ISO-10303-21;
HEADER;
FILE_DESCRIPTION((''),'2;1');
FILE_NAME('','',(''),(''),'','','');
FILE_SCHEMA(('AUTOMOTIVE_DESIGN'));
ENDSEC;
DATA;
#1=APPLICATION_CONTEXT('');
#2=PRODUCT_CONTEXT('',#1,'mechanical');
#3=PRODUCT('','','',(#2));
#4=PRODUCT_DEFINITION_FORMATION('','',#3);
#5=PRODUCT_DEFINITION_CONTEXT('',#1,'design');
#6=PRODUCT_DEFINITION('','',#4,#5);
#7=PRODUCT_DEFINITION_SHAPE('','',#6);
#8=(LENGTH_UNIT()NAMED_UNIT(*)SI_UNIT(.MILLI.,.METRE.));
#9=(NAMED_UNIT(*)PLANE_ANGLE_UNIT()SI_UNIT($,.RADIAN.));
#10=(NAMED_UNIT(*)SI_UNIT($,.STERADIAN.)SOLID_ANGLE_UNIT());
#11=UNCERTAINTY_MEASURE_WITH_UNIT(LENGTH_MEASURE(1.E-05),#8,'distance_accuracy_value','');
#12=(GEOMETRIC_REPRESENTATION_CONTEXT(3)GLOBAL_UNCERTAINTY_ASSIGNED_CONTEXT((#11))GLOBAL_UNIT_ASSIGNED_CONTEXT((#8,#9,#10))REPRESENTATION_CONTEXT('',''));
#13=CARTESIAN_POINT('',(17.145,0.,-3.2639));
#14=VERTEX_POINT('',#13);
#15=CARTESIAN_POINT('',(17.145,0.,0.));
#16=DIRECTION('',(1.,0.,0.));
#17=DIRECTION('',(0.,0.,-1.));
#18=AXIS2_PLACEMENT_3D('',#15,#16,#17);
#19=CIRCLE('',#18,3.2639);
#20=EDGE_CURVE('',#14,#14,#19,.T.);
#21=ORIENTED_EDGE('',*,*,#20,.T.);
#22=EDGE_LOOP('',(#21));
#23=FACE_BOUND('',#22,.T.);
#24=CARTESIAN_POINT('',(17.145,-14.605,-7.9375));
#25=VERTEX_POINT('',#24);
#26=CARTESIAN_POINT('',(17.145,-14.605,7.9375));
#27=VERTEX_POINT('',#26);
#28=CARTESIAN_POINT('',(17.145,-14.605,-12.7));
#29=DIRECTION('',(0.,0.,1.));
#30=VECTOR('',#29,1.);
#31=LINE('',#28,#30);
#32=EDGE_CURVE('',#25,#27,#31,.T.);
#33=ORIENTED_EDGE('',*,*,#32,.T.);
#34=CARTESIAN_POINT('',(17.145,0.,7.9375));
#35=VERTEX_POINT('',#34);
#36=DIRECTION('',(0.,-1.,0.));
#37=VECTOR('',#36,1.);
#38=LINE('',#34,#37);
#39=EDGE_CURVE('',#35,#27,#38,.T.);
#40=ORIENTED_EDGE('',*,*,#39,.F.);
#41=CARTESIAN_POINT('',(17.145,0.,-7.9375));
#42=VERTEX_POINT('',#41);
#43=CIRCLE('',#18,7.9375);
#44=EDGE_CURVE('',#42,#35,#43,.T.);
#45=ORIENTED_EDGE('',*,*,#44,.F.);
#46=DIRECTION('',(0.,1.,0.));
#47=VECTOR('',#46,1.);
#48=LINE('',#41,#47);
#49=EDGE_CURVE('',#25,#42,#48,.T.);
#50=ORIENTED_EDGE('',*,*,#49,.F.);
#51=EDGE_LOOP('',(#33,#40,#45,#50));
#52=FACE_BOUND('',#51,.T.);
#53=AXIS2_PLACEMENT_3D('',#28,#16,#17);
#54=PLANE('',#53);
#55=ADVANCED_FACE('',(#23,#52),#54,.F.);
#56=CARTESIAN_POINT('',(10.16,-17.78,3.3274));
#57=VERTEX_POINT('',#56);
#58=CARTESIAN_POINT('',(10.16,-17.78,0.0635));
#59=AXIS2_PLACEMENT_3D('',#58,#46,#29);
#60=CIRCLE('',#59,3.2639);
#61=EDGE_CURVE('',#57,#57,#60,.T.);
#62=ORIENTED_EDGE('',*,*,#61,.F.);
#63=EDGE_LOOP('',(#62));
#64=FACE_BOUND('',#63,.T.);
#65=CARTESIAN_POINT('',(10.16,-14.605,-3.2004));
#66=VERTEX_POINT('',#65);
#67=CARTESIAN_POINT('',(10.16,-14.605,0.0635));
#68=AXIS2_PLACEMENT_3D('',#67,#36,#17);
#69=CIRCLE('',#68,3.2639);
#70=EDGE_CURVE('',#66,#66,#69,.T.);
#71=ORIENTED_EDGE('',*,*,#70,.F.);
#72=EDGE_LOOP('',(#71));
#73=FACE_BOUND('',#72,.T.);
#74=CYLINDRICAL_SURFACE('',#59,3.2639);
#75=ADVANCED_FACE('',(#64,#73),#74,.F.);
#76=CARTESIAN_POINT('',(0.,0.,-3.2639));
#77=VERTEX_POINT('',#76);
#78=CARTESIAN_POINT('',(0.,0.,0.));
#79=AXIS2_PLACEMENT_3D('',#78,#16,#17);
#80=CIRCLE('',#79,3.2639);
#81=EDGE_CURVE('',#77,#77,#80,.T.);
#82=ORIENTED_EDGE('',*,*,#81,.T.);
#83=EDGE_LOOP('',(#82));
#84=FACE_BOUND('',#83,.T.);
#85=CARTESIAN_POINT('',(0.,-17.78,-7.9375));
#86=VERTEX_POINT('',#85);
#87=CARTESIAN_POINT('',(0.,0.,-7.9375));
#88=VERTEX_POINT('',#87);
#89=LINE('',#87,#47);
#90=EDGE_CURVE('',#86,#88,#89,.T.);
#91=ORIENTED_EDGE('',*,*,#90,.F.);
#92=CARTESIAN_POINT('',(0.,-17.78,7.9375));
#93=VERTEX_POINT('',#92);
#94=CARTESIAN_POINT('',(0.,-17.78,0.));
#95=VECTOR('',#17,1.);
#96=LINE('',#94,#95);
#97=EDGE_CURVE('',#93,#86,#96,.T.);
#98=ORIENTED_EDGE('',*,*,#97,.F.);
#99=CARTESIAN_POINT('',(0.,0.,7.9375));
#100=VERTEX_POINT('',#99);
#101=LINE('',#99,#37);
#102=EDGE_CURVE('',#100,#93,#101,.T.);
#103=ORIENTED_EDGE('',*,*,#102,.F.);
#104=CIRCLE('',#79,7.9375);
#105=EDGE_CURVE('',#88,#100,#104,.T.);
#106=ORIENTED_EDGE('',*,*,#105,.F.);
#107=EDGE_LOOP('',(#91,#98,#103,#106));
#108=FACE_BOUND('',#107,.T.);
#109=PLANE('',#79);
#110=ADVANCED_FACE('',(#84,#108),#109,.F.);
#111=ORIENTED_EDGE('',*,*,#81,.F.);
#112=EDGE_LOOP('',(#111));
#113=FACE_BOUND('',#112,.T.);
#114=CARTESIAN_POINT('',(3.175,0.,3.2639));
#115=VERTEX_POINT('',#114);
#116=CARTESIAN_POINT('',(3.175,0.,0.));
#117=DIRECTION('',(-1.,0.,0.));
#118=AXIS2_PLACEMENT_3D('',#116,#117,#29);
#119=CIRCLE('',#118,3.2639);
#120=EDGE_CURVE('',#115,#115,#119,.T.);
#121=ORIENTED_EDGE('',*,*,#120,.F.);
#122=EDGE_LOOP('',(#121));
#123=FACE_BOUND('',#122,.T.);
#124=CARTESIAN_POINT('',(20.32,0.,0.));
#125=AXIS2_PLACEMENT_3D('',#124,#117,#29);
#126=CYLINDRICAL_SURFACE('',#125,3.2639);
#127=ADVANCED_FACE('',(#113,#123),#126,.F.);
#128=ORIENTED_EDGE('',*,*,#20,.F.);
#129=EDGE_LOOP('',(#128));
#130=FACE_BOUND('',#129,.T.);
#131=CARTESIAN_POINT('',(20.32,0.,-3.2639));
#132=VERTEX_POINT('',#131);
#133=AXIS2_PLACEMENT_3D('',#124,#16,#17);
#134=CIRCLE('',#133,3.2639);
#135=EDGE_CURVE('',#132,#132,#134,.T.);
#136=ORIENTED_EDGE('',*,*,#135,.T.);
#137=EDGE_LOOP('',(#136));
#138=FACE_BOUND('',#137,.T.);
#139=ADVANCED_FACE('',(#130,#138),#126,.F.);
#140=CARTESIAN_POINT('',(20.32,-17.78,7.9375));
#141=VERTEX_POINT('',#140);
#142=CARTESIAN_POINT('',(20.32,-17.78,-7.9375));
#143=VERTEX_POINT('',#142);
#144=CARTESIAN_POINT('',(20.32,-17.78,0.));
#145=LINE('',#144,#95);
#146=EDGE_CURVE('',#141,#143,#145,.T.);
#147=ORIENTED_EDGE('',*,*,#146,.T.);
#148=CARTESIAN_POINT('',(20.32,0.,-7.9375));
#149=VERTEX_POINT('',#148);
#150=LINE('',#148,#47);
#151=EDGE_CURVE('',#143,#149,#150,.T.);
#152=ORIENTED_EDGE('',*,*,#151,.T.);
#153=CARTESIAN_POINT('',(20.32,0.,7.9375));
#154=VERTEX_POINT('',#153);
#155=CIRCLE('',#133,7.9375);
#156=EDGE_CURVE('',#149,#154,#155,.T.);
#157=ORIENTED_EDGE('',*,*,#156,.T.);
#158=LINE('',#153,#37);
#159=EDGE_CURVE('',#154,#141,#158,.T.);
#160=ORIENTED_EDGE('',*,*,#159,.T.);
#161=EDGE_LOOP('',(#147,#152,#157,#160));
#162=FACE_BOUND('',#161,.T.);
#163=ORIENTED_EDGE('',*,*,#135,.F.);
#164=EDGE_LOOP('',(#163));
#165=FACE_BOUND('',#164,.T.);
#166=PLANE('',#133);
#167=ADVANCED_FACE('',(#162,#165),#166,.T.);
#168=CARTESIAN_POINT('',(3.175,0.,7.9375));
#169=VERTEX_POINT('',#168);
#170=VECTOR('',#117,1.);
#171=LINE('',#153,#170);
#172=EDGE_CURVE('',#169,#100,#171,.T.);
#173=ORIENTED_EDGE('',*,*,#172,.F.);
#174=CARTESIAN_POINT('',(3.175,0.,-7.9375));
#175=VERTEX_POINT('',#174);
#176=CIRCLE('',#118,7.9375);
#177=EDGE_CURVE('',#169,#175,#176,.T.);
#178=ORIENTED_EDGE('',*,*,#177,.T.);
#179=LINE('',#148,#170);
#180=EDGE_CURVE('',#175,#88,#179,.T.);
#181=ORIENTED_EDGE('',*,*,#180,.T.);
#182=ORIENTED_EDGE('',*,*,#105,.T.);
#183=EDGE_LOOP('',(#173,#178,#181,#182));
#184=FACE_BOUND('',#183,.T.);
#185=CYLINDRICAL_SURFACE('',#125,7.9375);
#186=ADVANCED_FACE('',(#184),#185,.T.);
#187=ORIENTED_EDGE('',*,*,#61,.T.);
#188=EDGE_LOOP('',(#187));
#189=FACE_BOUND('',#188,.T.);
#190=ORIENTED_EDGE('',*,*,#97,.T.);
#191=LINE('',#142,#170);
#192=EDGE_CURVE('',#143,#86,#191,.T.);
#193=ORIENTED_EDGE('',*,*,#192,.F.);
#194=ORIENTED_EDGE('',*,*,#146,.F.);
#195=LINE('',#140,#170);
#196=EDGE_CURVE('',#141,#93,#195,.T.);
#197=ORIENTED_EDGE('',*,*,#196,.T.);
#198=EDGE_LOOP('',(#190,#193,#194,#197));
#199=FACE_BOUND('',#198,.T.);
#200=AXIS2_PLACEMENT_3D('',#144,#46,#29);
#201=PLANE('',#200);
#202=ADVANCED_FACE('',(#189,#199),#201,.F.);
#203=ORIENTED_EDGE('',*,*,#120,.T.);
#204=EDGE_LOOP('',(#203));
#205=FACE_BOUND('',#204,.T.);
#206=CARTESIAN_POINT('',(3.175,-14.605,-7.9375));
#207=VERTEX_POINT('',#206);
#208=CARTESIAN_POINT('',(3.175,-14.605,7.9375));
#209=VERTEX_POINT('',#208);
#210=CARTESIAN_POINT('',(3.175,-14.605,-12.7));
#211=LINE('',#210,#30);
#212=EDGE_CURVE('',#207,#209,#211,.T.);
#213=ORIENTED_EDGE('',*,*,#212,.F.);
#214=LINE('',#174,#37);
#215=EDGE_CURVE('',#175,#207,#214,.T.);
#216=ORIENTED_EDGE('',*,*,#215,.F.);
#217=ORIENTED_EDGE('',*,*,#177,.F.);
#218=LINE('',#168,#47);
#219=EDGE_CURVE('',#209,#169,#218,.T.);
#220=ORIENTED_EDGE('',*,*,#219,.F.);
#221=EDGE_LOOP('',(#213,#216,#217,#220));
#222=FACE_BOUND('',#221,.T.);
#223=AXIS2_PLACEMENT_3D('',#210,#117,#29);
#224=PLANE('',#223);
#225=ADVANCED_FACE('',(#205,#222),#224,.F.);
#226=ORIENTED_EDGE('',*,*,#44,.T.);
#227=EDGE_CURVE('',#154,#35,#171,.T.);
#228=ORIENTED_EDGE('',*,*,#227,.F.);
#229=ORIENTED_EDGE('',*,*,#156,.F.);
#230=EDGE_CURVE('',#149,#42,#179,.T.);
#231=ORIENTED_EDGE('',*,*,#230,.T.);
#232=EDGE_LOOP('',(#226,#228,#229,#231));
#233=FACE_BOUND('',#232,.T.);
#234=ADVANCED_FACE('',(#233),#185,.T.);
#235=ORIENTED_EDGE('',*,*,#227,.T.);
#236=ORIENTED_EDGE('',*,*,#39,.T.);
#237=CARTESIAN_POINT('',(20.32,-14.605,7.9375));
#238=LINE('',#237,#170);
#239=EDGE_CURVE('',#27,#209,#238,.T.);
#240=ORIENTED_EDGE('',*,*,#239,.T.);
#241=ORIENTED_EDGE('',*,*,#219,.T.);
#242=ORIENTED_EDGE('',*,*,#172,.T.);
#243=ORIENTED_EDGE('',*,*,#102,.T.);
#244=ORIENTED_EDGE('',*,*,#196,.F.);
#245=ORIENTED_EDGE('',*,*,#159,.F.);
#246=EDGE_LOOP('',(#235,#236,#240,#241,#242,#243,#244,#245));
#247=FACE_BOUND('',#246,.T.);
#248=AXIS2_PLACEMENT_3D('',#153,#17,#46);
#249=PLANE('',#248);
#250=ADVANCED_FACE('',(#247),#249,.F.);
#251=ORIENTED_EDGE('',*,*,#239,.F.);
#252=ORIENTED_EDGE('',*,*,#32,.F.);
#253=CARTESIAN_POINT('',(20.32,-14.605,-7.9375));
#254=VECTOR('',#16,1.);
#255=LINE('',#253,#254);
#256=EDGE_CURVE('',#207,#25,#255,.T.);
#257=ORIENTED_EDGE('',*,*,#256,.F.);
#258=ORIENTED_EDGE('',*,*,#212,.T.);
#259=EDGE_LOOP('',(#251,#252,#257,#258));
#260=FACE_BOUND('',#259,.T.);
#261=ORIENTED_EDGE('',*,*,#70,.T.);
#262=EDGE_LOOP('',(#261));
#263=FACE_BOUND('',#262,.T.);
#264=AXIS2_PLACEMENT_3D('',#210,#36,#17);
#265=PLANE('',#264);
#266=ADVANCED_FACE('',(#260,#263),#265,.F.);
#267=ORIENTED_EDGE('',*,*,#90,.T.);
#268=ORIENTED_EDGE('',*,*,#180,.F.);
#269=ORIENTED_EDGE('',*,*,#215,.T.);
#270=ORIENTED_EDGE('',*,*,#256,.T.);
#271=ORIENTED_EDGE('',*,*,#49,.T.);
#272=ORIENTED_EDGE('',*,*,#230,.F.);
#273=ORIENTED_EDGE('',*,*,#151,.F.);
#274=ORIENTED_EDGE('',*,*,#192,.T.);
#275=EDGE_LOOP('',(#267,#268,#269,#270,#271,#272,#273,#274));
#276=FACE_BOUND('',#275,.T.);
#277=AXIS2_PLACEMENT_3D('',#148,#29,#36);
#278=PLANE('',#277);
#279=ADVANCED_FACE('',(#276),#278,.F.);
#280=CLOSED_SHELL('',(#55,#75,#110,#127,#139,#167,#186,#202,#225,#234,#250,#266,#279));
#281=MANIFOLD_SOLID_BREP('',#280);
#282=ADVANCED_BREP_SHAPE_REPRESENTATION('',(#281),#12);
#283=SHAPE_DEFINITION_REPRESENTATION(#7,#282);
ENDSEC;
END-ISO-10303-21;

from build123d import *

# Parameters (mm, degrees)
SKETCH2_R           = 7.9375
SKETCH2_R_2         = 3.2639
BOSS_EXTRUDE1_DEPTH = 20.32
SKETCH3_W           = 13.97
SKETCH3_H           = 25.4
CUT_EXTRUDE1_DEPTH  = 12.7
SKETCH4_R           = 3.2639
CUT_EXTRUDE2_DEPTH  = 29.143111169


with BuildPart() as part:
    # Sketch2 → Boss-Extrude1 (new body)
    # profile 1 of 2: a face of its own
    with BuildSketch(Plane(origin=(0, 0, 0), x_dir=(0, 0, -1), z_dir=(1, 0, 0))):
        with BuildLine():
            ThreePointArc((7.9375, 0), (0, -7.9375), (-7.9375, 0))
            Line((-7.9375, 0), (-7.9375, -17.78))
            Line((-7.9375, -17.78), (7.9375, -17.78))
            Line((7.9375, -17.78), (7.9375, 0))
        make_face()
    # profile 2 of 2: a face of its own
    with BuildSketch(Plane(origin=(0, 0, 0), x_dir=(0, 0, -1), z_dir=(1, 0, 0))):
        Circle(SKETCH2_R)
        Circle(SKETCH2_R_2, mode=Mode.SUBTRACT)
    extrude(amount=BOSS_EXTRUDE1_DEPTH)

    # Sketch3 → Cut-Extrude1 (cut, symmetric)
    with BuildSketch(Plane.XY):
        with Locations((10.16, -1.905)):
            Rectangle(SKETCH3_W, SKETCH3_H)
    extrude(amount=CUT_EXTRUDE1_DEPTH, both=True, mode=Mode.SUBTRACT)

    # Sketch4 → Cut-Extrude2 (cut, through all)
    with BuildSketch(Plane(origin=(0, 0, 0), x_dir=(1, 0, 0), z_dir=(0, 1, 0))):
        with Locations(Location((10.16, -0.0635, 0), (0, 0, 270))):
            Circle(SKETCH4_R)
    extrude(amount=-CUT_EXTRUDE2_DEPTH, mode=Mode.SUBTRACT)


solid = part.part
